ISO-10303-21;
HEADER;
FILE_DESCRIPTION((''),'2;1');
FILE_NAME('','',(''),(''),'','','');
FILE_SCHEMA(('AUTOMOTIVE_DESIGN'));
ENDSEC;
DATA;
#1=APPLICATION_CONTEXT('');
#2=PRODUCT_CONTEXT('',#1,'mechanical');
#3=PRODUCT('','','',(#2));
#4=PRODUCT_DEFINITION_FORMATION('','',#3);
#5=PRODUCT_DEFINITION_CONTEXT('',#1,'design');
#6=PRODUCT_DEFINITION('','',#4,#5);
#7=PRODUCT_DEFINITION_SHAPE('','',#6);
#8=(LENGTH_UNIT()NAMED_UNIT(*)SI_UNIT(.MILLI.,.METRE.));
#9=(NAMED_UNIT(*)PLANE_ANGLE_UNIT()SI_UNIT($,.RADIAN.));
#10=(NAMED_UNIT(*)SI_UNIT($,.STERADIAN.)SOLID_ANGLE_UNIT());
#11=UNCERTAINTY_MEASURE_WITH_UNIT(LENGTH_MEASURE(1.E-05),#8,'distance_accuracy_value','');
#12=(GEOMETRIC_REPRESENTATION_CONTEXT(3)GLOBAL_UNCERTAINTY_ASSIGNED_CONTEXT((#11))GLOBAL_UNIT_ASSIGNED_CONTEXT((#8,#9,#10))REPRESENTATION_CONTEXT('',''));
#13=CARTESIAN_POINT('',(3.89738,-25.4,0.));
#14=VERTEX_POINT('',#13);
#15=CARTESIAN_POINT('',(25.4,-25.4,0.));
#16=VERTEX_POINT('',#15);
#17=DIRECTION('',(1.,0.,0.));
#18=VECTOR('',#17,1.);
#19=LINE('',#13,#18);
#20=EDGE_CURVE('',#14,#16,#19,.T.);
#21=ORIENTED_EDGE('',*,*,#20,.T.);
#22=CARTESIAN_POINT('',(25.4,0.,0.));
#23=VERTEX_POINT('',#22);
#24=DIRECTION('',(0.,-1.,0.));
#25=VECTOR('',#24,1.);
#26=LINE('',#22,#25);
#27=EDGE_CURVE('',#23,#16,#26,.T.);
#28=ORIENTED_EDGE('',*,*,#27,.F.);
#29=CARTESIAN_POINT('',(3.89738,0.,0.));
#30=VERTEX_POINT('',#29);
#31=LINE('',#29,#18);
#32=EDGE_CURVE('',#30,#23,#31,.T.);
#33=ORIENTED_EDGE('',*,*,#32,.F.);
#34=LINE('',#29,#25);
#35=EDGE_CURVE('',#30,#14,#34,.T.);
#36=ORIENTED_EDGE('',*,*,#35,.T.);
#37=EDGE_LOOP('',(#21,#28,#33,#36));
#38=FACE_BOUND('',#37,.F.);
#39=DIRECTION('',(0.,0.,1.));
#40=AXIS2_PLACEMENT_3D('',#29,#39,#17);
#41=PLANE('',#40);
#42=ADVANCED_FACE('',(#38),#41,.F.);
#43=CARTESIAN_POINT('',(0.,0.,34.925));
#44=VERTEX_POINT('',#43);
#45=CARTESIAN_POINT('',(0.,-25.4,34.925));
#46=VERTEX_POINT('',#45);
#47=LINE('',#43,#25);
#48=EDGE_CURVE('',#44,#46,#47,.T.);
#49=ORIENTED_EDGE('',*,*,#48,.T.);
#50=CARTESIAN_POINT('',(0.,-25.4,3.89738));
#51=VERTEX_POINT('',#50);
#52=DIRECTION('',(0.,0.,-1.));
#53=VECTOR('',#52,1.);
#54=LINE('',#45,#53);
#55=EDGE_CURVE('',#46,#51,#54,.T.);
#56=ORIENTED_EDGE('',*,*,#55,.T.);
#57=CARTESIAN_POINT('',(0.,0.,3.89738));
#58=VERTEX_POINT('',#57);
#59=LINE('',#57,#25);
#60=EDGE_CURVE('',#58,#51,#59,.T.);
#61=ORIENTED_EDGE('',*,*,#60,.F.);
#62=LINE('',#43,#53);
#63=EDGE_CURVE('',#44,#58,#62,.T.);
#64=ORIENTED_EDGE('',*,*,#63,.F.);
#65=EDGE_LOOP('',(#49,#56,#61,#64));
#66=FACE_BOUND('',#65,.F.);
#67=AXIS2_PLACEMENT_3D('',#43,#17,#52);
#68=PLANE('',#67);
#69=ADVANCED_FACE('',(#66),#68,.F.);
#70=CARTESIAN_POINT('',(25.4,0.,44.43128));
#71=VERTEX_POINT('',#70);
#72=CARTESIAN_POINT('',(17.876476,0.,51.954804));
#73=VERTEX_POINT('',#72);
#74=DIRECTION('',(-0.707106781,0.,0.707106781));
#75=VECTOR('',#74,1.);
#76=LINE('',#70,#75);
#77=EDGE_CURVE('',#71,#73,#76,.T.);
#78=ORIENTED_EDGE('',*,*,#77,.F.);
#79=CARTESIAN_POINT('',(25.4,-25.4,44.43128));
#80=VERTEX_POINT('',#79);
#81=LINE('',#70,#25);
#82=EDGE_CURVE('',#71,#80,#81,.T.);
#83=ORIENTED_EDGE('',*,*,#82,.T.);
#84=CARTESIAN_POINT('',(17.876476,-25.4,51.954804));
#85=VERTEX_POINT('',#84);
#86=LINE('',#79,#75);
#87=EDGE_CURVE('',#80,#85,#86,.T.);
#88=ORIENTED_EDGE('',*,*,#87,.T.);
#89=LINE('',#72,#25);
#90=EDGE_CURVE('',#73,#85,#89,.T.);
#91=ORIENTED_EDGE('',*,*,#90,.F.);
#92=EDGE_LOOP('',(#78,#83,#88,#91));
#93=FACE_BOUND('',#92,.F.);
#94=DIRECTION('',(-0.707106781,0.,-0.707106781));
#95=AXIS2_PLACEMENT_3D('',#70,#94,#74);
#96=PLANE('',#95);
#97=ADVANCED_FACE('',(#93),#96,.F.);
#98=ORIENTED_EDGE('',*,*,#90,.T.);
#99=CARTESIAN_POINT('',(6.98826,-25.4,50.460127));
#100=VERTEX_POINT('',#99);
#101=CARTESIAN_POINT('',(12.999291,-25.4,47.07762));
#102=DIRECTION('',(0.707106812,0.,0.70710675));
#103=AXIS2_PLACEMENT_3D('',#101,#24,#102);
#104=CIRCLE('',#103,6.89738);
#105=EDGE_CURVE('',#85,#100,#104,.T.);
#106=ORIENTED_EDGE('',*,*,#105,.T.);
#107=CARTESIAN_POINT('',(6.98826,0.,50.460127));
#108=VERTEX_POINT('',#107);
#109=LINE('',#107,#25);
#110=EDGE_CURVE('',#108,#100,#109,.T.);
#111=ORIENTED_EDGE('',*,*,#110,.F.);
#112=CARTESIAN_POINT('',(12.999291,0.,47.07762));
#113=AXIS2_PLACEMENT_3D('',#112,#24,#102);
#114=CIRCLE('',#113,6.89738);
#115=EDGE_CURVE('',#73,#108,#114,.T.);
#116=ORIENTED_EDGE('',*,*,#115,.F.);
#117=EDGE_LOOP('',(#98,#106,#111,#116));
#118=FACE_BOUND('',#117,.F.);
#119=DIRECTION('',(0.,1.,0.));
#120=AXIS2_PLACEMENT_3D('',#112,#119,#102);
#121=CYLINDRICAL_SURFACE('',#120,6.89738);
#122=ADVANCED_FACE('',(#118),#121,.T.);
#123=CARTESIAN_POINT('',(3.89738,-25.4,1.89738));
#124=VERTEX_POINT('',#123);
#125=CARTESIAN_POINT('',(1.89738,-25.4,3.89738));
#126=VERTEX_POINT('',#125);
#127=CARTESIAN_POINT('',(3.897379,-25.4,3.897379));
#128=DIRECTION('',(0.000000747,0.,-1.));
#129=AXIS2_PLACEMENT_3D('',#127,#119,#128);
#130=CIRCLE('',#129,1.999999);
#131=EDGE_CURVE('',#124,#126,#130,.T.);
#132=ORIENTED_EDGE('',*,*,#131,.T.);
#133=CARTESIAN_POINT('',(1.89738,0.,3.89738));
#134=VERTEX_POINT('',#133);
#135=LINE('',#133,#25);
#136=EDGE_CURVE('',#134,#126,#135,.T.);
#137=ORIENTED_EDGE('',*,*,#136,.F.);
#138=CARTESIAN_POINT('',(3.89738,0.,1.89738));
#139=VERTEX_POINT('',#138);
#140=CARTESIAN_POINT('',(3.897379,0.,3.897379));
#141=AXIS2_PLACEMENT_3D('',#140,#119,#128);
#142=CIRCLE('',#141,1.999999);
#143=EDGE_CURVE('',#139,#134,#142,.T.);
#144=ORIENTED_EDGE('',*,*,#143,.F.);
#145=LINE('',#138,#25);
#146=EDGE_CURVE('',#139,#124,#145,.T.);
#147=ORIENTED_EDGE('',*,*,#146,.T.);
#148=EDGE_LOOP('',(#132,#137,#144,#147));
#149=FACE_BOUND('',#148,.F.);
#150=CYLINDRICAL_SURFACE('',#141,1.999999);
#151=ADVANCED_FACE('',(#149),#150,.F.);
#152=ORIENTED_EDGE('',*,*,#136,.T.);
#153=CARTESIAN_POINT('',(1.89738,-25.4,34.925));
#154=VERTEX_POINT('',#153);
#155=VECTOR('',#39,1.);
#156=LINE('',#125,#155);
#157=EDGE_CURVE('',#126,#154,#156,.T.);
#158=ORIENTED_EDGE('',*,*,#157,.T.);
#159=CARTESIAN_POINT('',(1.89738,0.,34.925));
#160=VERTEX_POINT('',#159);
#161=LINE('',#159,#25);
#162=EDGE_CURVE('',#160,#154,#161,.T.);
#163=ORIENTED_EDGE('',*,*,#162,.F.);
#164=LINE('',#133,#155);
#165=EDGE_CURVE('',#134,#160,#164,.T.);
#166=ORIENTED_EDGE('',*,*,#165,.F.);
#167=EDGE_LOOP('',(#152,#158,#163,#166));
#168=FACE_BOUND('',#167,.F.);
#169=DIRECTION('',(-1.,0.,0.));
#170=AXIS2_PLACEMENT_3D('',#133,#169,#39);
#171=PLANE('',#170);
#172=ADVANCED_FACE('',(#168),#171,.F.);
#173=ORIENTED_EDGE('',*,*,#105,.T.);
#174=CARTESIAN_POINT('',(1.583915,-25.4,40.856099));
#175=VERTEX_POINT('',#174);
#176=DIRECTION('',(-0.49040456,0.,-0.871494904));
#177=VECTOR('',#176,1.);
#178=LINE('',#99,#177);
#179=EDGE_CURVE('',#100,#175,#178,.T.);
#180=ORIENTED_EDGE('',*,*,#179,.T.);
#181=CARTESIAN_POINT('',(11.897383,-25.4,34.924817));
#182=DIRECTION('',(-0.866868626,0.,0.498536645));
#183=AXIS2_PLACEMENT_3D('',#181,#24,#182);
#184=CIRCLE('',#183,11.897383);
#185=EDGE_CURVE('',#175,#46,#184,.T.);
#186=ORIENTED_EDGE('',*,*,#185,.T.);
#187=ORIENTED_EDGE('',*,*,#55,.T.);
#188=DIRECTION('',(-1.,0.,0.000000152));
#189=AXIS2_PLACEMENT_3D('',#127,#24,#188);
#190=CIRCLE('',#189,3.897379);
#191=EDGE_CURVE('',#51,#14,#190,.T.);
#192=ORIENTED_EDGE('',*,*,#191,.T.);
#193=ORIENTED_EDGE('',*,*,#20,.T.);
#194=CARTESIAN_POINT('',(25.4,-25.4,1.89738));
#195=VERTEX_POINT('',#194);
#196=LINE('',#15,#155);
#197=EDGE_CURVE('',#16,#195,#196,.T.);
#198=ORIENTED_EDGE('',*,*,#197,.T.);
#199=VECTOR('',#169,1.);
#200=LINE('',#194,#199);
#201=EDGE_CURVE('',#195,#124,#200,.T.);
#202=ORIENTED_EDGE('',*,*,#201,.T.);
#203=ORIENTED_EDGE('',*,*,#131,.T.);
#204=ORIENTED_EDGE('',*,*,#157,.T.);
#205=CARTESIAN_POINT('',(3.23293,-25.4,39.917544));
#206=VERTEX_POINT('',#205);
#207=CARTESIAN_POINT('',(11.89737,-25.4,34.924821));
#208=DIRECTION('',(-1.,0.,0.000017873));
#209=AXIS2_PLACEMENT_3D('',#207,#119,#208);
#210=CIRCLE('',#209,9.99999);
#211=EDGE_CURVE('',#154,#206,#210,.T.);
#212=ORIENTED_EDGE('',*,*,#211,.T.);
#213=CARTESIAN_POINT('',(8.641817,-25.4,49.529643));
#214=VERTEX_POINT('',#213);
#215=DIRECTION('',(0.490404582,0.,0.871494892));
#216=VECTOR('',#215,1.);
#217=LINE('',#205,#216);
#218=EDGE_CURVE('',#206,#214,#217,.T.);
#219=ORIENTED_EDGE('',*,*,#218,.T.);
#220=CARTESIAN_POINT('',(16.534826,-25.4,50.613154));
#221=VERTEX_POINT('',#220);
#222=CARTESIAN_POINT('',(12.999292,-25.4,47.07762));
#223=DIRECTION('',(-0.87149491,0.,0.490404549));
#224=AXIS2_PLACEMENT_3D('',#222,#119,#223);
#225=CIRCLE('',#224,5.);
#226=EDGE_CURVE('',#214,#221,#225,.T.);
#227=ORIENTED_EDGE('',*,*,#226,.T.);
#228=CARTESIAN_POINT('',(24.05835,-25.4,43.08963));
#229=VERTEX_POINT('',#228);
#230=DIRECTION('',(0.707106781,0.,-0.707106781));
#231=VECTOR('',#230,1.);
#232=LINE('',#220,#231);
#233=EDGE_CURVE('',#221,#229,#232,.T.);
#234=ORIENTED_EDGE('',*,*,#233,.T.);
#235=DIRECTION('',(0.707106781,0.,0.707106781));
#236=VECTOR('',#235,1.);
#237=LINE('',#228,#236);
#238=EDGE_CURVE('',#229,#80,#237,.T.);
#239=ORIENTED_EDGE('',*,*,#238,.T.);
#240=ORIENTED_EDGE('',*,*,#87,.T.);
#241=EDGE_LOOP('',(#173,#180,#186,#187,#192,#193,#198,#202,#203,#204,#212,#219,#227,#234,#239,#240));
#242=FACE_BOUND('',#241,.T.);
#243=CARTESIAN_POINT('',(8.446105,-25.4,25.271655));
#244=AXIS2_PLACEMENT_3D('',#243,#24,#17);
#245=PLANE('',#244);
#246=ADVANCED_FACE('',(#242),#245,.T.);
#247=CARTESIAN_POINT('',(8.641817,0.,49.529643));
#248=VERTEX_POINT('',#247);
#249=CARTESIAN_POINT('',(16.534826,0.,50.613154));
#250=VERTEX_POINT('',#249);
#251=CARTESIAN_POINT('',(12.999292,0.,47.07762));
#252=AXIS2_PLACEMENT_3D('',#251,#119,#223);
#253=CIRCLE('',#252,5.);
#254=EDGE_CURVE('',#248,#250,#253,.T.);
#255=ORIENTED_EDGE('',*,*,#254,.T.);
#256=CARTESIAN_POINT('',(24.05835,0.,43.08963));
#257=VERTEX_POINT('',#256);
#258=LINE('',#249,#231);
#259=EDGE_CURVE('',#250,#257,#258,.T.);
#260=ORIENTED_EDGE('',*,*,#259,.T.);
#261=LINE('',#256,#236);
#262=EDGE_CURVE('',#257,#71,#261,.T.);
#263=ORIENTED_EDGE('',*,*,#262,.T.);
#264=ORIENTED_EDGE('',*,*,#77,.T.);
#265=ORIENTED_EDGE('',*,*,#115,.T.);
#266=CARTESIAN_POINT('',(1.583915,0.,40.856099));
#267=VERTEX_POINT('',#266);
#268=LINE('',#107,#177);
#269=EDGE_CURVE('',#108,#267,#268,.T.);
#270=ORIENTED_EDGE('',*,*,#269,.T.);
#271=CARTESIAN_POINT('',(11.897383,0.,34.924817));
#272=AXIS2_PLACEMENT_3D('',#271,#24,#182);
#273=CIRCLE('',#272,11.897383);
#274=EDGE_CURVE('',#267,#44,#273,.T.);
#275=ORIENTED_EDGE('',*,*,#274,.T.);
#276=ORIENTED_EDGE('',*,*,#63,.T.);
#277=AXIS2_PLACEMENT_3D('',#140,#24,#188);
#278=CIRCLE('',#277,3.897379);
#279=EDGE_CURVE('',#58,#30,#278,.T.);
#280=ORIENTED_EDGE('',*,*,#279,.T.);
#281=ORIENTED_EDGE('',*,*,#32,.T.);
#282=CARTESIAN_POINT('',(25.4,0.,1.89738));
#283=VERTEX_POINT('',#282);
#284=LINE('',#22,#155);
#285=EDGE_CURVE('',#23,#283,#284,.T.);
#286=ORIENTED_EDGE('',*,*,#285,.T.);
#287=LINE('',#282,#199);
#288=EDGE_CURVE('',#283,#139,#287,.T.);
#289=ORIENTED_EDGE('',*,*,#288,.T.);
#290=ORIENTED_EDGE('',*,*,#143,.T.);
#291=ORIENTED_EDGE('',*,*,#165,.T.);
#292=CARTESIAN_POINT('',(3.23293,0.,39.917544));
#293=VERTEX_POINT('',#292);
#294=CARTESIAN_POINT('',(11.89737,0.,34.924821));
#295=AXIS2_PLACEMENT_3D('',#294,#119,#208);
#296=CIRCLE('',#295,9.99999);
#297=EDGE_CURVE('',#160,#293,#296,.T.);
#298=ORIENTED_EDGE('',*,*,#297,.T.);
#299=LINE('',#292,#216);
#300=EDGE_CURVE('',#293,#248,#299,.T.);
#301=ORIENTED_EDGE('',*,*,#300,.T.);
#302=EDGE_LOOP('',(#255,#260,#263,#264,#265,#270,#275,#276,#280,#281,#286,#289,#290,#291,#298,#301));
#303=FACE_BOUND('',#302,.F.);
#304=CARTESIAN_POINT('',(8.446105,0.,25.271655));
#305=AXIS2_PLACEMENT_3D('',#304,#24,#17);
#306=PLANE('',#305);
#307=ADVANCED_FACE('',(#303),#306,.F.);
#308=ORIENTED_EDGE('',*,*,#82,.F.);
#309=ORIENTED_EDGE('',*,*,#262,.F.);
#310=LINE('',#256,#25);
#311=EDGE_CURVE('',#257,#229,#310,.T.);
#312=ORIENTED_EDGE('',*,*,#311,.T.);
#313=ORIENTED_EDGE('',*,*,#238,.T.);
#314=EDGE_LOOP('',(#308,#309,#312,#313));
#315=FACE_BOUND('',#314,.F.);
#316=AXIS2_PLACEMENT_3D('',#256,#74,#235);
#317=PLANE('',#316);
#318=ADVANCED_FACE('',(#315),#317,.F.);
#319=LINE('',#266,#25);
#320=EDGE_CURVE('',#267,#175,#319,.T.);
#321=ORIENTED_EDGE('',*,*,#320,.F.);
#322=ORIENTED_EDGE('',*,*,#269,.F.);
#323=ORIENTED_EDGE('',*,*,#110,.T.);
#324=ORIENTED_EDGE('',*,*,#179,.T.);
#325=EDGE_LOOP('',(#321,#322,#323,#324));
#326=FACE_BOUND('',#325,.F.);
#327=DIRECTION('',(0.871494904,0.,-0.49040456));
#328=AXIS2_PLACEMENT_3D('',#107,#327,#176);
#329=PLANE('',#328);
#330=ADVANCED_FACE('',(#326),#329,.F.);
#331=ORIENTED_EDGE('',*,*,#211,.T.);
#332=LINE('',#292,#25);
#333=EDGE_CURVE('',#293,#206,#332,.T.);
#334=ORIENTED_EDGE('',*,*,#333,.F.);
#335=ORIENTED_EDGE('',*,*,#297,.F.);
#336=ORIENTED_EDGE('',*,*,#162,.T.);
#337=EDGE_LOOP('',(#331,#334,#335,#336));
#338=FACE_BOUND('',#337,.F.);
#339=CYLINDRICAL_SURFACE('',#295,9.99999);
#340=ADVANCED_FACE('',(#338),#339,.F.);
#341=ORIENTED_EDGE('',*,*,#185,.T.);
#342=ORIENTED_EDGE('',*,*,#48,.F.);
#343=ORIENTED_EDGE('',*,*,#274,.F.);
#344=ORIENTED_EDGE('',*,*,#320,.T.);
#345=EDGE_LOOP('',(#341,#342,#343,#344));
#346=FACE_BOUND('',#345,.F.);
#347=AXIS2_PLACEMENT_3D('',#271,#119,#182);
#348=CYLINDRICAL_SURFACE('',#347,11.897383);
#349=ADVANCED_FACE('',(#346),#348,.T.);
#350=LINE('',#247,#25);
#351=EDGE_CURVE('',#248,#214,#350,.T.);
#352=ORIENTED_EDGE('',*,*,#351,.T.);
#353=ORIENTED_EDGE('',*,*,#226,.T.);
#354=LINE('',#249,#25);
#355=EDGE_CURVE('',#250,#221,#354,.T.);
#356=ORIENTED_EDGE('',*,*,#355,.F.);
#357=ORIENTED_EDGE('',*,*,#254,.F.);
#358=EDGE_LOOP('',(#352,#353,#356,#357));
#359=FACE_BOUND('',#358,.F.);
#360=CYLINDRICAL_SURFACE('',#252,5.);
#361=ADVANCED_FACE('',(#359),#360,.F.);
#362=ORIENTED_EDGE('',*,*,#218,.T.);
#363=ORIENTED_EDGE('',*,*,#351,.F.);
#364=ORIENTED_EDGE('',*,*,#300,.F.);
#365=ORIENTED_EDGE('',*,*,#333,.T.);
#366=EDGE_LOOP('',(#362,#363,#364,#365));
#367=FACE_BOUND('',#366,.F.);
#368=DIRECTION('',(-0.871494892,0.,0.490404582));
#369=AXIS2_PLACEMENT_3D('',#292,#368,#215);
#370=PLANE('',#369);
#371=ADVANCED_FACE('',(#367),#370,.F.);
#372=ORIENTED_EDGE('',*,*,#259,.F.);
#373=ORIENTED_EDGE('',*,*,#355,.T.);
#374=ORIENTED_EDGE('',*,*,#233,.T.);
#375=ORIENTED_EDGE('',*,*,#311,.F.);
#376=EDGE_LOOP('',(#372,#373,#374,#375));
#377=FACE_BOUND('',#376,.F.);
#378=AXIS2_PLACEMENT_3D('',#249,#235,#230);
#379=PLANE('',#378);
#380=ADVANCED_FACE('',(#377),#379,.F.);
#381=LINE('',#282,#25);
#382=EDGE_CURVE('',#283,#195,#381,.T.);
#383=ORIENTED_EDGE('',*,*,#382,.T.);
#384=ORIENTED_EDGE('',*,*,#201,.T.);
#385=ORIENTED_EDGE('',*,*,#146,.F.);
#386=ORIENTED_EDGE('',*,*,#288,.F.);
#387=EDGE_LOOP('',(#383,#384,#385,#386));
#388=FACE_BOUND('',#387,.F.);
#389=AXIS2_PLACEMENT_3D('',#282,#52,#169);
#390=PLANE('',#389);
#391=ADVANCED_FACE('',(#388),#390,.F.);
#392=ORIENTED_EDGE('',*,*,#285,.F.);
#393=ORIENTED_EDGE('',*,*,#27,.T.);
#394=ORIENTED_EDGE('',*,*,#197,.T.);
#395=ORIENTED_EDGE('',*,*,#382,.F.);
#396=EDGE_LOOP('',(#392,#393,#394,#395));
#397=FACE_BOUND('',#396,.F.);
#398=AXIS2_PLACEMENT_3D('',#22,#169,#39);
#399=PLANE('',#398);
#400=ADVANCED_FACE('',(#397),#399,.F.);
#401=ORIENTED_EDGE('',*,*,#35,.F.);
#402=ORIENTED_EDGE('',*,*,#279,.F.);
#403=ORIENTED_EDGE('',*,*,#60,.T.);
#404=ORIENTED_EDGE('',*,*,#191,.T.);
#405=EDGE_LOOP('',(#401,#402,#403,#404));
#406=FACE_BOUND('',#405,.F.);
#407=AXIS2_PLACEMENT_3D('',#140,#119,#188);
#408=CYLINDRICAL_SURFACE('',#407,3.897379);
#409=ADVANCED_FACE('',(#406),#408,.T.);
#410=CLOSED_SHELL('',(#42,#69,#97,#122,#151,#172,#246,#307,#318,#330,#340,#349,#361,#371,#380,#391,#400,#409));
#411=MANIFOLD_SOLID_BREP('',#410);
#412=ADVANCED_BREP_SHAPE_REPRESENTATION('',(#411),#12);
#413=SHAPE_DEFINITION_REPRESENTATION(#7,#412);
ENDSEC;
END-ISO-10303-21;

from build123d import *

# Parameters (mm, degrees)
F1_DEPTH = 25.4


with BuildPart() as f1:
    # F0 (on Front) → F1 (new body)
    with BuildSketch(Plane.XZ):
        with BuildLine():
            Line((3.89738, 0), (25.4, 0))
            Line((25.4, 0), (25.4, 1.89738))
            Line((25.4, 1.89738), (3.89738, 1.89738))
            ThreePointArc((3.89738, 1.89738), (2.483166, 2.483166), (1.89738, 3.89738))
            Line((1.89738, 3.89738), (1.89738, 34.925))
            ThreePointArc((1.89738, 34.925), (2.237059, 37.509041), (3.23293, 39.917544))
            Line((3.23293, 39.917544), (8.641817, 49.529643))
            ThreePointArc((8.641817, 49.529643), (12.319295, 52.031165), (16.534826, 50.613154))
            Line((16.534826, 50.613154), (24.05835, 43.08963))
            Line((24.05835, 43.08963), (25.4, 44.43128))
            Line((25.4, 44.43128), (17.876476, 51.954804))
            ThreePointArc((17.876476, 51.954804), (12.061252, 53.910916), (6.98826, 50.460127))
            Line((6.98826, 50.460127), (1.583915, 40.856099))
            ThreePointArc((1.583915, 40.856099), (0.402821, 37.99447), (0, 34.925))
            Line((0, 34.925), (0, 34.924818))
            Line((0, 34.924818), (0, 3.89738))
            ThreePointArc((0, 3.89738), (1.141516, 1.141516), (3.89738, 0))
        make_face()
    extrude(amount=F1_DEPTH)


solid = f1.part
